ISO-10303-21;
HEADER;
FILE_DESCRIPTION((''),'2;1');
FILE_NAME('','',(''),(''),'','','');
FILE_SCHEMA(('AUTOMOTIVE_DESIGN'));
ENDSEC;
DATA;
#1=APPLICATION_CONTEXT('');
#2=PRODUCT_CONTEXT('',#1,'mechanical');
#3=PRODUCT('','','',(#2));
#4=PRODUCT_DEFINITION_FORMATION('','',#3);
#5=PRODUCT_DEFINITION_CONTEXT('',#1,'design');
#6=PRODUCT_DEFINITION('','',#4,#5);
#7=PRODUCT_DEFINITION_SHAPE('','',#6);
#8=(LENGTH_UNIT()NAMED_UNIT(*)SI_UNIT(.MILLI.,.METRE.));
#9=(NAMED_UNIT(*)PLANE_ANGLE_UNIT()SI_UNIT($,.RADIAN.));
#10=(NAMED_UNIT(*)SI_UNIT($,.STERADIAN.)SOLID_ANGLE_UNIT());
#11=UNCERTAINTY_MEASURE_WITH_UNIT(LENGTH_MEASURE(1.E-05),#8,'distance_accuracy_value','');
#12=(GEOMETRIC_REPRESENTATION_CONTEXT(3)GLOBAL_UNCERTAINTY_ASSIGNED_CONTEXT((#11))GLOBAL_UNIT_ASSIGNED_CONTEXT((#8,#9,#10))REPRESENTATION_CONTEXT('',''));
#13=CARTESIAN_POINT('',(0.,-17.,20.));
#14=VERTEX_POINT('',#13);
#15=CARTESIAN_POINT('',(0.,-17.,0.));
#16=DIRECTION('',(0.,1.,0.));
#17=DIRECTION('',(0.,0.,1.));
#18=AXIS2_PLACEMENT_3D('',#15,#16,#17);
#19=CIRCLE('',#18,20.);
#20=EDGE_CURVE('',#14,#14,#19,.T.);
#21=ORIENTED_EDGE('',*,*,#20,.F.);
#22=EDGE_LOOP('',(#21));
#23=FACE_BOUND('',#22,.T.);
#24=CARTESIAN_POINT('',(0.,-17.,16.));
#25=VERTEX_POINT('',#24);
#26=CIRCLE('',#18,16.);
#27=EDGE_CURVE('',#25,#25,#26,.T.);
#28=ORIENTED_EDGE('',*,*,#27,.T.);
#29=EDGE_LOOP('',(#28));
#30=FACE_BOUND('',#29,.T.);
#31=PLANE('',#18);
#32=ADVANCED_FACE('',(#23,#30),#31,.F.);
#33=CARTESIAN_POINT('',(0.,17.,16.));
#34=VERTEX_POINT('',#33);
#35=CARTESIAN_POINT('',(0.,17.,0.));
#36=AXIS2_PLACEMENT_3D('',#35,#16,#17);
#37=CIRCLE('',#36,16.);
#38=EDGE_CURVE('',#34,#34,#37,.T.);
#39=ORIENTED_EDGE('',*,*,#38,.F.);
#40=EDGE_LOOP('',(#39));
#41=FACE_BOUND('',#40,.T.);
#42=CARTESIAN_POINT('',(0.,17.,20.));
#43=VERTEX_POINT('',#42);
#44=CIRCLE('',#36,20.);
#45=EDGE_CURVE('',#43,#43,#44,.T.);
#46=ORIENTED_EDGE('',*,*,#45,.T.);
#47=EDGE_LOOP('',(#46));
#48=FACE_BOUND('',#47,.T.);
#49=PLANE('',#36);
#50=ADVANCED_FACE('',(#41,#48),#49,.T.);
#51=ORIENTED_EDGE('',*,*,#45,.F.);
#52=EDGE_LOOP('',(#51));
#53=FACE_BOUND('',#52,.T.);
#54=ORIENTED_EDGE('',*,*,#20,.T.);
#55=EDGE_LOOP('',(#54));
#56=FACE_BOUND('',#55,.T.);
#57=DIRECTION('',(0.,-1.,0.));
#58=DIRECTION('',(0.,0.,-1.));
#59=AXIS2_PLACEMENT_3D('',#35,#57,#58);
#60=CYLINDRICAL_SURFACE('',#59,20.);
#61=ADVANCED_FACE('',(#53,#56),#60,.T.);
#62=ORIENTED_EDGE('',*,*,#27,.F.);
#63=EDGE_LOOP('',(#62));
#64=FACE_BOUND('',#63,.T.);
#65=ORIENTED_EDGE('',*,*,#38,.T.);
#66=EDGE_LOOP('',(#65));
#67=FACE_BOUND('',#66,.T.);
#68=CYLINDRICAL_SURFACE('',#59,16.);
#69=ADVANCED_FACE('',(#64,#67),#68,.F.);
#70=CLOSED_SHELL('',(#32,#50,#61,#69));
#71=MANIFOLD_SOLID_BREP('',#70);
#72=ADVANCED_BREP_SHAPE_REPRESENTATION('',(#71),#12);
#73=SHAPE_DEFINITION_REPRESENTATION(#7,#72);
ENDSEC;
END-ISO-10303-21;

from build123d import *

# Parameters (mm, degrees)
SKETCH1_R           = 20
SKETCH1_R_2         = 16
BOSS_EXTRUDE1_DEPTH = 17


with BuildPart() as part:
    # Sketch1 → Boss-Extrude1 (new body, symmetric)
    with BuildSketch(Plane(origin=(0, 0, 0), x_dir=(1, 0, 0), z_dir=(0, 1, 0))):
        Circle(SKETCH1_R)
        Circle(SKETCH1_R_2, mode=Mode.SUBTRACT)
    extrude(amount=BOSS_EXTRUDE1_DEPTH, both=True)


solid = part.part
